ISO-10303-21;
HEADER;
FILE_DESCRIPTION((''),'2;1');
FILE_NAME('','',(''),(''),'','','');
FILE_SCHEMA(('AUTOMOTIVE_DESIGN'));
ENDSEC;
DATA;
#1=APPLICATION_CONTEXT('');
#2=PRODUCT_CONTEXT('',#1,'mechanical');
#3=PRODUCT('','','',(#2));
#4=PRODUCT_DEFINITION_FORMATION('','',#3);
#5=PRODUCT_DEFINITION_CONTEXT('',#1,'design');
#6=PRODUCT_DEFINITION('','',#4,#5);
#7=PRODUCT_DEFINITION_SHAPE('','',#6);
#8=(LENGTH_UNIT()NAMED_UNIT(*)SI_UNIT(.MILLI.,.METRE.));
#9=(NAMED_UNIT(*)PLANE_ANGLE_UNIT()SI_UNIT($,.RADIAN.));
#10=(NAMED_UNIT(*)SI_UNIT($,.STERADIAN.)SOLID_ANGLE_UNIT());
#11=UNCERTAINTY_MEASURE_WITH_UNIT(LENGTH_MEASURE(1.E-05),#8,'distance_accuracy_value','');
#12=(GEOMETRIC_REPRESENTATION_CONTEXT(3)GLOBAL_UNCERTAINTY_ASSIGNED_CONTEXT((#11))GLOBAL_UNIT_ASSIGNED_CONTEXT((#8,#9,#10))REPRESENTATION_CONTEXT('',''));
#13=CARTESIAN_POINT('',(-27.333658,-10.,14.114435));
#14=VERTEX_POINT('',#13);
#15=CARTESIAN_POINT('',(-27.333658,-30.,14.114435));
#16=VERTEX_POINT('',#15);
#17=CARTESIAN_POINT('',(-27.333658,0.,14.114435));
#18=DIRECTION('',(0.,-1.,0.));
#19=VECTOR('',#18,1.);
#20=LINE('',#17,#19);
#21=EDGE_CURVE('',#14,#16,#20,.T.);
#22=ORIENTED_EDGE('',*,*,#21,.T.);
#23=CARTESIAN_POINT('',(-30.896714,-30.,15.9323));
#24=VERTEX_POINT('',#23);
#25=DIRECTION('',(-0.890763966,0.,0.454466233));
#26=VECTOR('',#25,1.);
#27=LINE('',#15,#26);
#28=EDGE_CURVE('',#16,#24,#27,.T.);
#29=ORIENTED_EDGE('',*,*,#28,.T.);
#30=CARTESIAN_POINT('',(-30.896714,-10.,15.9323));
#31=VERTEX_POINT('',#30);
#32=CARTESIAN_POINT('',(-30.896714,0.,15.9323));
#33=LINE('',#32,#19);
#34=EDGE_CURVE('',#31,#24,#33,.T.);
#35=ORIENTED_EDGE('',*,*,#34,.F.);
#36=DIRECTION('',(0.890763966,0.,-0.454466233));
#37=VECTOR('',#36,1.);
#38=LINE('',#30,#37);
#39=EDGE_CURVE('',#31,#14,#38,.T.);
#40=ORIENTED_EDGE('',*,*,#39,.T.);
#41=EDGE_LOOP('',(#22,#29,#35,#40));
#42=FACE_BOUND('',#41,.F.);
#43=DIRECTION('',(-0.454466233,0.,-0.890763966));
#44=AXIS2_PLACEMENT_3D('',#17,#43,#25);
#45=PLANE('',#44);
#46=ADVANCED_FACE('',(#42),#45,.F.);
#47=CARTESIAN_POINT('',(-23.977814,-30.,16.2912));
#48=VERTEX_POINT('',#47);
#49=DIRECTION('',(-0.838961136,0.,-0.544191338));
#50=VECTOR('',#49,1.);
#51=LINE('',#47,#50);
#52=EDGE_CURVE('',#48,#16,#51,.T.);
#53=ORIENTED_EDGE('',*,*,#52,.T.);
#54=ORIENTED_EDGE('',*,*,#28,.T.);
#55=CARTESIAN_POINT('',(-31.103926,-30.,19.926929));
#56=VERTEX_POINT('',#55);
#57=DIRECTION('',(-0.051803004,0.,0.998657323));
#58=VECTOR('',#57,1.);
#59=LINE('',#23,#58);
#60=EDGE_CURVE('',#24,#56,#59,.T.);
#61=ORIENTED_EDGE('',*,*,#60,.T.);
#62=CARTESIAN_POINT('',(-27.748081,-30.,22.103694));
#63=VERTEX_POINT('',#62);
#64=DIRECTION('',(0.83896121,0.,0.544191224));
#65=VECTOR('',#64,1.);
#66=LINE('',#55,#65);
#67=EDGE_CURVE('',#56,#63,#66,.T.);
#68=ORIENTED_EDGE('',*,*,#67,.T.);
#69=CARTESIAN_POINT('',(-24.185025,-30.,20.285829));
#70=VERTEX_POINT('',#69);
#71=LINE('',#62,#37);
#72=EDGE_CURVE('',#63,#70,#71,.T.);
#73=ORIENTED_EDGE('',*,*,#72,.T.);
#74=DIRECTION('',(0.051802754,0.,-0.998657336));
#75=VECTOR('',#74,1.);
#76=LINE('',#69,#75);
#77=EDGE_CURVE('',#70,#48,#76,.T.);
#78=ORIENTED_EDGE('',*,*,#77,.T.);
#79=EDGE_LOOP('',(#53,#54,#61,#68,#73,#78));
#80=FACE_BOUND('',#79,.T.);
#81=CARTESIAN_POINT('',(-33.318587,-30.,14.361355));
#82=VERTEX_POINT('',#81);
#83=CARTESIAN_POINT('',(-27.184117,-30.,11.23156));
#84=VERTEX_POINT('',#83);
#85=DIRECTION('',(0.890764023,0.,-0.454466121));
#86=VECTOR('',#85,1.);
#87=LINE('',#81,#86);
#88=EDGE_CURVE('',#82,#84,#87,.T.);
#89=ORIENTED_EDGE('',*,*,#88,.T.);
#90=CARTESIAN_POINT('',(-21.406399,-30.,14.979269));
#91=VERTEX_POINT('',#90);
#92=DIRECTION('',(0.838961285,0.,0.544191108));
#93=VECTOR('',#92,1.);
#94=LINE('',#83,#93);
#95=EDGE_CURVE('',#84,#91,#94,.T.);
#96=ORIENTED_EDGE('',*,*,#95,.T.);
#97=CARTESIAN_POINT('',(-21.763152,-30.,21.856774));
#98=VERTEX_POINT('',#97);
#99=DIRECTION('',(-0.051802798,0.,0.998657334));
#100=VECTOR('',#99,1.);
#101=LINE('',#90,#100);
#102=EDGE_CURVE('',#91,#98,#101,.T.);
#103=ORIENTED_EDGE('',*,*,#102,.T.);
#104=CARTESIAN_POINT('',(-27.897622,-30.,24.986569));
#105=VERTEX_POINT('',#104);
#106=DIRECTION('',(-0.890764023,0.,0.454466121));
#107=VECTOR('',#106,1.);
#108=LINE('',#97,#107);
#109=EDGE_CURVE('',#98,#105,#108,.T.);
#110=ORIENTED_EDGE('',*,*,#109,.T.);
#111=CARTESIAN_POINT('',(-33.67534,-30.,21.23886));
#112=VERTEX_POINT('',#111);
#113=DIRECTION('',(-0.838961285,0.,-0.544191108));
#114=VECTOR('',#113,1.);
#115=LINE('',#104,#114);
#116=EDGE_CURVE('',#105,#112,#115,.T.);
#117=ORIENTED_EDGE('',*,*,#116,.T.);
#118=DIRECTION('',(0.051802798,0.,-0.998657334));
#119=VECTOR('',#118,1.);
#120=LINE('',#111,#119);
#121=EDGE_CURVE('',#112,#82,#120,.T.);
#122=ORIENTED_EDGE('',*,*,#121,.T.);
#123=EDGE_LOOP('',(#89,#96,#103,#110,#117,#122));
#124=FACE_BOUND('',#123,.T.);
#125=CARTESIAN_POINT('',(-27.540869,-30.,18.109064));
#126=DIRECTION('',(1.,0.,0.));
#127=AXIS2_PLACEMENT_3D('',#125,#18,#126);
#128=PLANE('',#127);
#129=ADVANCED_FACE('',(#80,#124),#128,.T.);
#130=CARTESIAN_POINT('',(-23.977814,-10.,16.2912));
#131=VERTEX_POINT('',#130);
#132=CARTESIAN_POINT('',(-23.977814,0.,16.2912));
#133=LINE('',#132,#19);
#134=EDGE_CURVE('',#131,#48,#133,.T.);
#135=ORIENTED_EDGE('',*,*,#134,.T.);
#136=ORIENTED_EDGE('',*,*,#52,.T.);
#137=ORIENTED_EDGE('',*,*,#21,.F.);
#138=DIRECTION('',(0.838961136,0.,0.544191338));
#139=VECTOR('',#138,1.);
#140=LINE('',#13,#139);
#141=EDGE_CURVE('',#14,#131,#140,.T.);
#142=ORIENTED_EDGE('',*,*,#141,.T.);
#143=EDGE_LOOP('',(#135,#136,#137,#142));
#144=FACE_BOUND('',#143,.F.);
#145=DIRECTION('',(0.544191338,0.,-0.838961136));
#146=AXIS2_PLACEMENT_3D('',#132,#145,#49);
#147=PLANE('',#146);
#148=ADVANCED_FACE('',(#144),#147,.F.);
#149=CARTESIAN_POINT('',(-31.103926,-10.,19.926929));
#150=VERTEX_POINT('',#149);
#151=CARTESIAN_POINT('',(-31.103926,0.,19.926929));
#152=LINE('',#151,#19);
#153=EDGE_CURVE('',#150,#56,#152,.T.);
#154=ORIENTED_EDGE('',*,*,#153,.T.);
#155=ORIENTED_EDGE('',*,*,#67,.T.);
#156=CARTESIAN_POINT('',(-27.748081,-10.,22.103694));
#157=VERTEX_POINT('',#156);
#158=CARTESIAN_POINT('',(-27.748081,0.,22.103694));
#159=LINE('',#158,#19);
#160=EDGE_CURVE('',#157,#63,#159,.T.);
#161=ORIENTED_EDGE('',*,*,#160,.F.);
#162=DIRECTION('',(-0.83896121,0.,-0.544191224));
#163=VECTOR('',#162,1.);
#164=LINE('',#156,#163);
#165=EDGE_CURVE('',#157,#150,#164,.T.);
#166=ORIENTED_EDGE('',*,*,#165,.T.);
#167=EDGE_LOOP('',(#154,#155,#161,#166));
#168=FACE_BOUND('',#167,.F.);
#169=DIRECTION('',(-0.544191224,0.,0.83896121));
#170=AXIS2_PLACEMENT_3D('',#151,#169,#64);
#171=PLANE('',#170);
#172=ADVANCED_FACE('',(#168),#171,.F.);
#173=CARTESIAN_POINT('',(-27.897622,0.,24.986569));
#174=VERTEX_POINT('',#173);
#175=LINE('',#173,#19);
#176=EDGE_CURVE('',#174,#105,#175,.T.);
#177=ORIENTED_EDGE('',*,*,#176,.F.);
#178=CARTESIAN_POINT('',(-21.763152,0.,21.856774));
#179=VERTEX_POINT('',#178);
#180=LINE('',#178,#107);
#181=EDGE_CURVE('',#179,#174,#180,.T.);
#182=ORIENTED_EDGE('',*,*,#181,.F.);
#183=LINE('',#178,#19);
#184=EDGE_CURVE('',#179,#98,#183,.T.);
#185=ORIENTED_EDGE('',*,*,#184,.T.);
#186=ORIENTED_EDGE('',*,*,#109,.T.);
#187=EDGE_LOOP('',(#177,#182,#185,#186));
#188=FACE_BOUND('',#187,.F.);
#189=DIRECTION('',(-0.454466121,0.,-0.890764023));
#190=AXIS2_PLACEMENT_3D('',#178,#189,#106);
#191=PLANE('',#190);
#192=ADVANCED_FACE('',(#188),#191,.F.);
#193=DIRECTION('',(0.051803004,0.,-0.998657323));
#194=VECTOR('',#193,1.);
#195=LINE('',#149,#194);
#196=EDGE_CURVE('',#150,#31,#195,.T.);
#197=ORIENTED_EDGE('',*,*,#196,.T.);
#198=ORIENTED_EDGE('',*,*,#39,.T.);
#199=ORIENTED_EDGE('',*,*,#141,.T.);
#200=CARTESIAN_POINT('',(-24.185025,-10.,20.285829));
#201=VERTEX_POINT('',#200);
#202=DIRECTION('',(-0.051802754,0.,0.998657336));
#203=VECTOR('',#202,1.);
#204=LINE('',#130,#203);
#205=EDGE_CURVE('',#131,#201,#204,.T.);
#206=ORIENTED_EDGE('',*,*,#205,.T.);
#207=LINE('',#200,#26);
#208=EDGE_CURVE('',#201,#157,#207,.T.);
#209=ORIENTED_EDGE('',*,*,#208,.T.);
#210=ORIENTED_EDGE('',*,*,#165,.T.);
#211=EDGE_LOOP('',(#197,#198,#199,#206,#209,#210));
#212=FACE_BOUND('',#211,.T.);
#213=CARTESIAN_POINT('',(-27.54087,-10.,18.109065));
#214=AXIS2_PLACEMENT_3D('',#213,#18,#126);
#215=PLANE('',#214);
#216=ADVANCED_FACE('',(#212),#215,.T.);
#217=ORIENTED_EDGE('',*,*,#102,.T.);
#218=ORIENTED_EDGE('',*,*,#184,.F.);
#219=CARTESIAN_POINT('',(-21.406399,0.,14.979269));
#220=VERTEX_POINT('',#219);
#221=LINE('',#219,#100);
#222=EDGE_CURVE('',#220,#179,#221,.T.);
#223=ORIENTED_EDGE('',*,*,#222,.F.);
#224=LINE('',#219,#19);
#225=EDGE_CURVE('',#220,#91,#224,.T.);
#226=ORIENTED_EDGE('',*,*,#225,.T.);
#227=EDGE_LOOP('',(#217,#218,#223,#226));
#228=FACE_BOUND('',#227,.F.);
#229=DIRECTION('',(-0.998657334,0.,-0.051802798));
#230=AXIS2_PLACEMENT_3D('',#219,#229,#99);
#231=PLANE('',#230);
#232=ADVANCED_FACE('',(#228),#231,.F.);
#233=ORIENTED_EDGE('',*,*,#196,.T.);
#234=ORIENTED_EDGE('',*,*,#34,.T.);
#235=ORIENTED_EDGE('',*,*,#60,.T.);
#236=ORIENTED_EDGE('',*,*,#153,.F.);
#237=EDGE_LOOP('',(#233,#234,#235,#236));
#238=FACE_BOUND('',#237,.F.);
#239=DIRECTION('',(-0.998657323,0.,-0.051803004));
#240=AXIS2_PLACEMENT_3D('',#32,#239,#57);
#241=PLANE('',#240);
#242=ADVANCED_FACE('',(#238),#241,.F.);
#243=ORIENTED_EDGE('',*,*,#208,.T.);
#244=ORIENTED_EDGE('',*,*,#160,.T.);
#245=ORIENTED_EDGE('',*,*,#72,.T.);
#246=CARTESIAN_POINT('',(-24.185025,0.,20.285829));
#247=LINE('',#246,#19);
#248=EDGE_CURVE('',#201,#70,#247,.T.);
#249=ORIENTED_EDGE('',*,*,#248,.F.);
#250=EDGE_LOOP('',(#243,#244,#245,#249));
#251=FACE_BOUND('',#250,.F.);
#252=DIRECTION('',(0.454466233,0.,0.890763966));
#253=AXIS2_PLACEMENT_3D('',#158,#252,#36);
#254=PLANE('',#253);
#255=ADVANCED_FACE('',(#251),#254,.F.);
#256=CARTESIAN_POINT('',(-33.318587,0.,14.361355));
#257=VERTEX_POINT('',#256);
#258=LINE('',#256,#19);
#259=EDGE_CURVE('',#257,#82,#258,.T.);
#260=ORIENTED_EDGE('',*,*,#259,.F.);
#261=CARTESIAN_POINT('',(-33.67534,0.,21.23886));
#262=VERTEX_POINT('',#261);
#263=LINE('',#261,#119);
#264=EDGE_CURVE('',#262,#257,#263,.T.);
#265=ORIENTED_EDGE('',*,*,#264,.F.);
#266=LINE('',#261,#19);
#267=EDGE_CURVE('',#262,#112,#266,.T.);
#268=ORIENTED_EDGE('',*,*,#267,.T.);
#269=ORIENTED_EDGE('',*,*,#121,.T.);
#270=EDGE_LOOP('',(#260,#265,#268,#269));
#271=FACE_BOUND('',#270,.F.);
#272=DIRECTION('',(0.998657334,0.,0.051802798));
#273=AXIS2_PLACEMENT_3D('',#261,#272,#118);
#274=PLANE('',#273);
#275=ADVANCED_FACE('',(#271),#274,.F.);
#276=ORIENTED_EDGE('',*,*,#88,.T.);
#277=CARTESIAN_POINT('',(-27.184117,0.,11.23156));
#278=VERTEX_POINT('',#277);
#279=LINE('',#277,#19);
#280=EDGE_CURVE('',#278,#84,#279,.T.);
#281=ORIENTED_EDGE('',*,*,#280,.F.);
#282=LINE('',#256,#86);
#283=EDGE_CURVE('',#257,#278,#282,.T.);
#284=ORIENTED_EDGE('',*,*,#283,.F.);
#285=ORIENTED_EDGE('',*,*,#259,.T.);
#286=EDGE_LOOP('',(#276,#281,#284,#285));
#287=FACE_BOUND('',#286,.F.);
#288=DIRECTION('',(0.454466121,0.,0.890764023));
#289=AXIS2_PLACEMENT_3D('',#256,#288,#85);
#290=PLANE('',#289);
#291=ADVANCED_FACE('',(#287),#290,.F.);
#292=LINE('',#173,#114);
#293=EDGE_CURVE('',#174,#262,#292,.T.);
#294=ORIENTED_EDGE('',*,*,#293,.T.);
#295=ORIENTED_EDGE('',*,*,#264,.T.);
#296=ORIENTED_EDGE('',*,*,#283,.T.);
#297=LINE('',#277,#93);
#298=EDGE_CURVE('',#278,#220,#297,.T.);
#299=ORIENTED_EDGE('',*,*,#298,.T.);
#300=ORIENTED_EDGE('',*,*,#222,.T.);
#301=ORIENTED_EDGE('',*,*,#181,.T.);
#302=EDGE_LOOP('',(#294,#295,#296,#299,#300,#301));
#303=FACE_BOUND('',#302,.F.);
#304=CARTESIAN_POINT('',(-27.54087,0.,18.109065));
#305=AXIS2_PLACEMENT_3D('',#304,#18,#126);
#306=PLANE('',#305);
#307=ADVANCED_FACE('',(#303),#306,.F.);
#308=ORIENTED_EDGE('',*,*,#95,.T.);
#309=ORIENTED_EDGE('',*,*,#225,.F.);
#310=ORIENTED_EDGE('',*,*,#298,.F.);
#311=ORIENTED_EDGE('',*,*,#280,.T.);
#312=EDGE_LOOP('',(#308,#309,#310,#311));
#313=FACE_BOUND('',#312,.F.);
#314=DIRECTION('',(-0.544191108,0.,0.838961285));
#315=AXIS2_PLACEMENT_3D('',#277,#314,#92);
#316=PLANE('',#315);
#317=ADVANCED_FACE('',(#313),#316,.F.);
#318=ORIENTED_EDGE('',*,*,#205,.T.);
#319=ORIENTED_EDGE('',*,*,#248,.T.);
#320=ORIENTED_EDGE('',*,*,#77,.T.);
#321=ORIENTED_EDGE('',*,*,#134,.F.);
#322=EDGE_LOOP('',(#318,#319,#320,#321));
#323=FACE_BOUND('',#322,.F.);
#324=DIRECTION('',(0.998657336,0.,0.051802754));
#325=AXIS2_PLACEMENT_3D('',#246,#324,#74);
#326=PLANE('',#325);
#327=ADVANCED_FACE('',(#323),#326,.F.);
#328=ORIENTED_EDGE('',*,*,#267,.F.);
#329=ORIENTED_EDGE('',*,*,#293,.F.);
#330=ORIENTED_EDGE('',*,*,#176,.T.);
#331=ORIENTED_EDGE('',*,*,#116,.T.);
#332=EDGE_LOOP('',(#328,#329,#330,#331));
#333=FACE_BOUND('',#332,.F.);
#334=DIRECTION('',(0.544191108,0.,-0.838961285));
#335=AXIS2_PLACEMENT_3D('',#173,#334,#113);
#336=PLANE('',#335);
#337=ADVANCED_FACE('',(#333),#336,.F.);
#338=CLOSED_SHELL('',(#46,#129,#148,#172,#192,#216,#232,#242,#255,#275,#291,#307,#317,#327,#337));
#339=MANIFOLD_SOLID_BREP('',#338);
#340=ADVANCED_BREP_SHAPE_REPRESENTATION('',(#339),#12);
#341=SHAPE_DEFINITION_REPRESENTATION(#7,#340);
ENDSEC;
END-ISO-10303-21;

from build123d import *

# Parameters (mm, degrees)
F1_DEPTH = 30
F2_DEPTH = 10


with BuildPart() as f1:
    # F0 (on Front) → F1 (new body)
    with BuildSketch(Plane.XZ):
        Polygon((-27.897622, 24.986569), (-33.67534, 21.23886), (-33.318587, 14.361355), (-27.184117, 11.23156), (-21.406399, 14.979269), (-21.763152, 21.856774), align=None)
        Polygon((-24.185025, 20.285829), (-23.977814, 16.2912), (-27.333658, 14.114435), (-30.896714, 15.9323), (-31.103926, 19.926929), (-27.748081, 22.103694), align=None, mode=Mode.SUBTRACT)
    extrude(amount=F1_DEPTH)

    # F0 (on Front) → F2 (join)
    with BuildSketch(Plane.XZ):
        Polygon((-27.333658, 14.114435), (-23.977814, 16.2912), (-24.185025, 20.285829), (-27.748081, 22.103694), (-31.103926, 19.926929), (-30.896714, 15.9323), align=None)
    extrude(amount=F2_DEPTH)


solid = f1.part
